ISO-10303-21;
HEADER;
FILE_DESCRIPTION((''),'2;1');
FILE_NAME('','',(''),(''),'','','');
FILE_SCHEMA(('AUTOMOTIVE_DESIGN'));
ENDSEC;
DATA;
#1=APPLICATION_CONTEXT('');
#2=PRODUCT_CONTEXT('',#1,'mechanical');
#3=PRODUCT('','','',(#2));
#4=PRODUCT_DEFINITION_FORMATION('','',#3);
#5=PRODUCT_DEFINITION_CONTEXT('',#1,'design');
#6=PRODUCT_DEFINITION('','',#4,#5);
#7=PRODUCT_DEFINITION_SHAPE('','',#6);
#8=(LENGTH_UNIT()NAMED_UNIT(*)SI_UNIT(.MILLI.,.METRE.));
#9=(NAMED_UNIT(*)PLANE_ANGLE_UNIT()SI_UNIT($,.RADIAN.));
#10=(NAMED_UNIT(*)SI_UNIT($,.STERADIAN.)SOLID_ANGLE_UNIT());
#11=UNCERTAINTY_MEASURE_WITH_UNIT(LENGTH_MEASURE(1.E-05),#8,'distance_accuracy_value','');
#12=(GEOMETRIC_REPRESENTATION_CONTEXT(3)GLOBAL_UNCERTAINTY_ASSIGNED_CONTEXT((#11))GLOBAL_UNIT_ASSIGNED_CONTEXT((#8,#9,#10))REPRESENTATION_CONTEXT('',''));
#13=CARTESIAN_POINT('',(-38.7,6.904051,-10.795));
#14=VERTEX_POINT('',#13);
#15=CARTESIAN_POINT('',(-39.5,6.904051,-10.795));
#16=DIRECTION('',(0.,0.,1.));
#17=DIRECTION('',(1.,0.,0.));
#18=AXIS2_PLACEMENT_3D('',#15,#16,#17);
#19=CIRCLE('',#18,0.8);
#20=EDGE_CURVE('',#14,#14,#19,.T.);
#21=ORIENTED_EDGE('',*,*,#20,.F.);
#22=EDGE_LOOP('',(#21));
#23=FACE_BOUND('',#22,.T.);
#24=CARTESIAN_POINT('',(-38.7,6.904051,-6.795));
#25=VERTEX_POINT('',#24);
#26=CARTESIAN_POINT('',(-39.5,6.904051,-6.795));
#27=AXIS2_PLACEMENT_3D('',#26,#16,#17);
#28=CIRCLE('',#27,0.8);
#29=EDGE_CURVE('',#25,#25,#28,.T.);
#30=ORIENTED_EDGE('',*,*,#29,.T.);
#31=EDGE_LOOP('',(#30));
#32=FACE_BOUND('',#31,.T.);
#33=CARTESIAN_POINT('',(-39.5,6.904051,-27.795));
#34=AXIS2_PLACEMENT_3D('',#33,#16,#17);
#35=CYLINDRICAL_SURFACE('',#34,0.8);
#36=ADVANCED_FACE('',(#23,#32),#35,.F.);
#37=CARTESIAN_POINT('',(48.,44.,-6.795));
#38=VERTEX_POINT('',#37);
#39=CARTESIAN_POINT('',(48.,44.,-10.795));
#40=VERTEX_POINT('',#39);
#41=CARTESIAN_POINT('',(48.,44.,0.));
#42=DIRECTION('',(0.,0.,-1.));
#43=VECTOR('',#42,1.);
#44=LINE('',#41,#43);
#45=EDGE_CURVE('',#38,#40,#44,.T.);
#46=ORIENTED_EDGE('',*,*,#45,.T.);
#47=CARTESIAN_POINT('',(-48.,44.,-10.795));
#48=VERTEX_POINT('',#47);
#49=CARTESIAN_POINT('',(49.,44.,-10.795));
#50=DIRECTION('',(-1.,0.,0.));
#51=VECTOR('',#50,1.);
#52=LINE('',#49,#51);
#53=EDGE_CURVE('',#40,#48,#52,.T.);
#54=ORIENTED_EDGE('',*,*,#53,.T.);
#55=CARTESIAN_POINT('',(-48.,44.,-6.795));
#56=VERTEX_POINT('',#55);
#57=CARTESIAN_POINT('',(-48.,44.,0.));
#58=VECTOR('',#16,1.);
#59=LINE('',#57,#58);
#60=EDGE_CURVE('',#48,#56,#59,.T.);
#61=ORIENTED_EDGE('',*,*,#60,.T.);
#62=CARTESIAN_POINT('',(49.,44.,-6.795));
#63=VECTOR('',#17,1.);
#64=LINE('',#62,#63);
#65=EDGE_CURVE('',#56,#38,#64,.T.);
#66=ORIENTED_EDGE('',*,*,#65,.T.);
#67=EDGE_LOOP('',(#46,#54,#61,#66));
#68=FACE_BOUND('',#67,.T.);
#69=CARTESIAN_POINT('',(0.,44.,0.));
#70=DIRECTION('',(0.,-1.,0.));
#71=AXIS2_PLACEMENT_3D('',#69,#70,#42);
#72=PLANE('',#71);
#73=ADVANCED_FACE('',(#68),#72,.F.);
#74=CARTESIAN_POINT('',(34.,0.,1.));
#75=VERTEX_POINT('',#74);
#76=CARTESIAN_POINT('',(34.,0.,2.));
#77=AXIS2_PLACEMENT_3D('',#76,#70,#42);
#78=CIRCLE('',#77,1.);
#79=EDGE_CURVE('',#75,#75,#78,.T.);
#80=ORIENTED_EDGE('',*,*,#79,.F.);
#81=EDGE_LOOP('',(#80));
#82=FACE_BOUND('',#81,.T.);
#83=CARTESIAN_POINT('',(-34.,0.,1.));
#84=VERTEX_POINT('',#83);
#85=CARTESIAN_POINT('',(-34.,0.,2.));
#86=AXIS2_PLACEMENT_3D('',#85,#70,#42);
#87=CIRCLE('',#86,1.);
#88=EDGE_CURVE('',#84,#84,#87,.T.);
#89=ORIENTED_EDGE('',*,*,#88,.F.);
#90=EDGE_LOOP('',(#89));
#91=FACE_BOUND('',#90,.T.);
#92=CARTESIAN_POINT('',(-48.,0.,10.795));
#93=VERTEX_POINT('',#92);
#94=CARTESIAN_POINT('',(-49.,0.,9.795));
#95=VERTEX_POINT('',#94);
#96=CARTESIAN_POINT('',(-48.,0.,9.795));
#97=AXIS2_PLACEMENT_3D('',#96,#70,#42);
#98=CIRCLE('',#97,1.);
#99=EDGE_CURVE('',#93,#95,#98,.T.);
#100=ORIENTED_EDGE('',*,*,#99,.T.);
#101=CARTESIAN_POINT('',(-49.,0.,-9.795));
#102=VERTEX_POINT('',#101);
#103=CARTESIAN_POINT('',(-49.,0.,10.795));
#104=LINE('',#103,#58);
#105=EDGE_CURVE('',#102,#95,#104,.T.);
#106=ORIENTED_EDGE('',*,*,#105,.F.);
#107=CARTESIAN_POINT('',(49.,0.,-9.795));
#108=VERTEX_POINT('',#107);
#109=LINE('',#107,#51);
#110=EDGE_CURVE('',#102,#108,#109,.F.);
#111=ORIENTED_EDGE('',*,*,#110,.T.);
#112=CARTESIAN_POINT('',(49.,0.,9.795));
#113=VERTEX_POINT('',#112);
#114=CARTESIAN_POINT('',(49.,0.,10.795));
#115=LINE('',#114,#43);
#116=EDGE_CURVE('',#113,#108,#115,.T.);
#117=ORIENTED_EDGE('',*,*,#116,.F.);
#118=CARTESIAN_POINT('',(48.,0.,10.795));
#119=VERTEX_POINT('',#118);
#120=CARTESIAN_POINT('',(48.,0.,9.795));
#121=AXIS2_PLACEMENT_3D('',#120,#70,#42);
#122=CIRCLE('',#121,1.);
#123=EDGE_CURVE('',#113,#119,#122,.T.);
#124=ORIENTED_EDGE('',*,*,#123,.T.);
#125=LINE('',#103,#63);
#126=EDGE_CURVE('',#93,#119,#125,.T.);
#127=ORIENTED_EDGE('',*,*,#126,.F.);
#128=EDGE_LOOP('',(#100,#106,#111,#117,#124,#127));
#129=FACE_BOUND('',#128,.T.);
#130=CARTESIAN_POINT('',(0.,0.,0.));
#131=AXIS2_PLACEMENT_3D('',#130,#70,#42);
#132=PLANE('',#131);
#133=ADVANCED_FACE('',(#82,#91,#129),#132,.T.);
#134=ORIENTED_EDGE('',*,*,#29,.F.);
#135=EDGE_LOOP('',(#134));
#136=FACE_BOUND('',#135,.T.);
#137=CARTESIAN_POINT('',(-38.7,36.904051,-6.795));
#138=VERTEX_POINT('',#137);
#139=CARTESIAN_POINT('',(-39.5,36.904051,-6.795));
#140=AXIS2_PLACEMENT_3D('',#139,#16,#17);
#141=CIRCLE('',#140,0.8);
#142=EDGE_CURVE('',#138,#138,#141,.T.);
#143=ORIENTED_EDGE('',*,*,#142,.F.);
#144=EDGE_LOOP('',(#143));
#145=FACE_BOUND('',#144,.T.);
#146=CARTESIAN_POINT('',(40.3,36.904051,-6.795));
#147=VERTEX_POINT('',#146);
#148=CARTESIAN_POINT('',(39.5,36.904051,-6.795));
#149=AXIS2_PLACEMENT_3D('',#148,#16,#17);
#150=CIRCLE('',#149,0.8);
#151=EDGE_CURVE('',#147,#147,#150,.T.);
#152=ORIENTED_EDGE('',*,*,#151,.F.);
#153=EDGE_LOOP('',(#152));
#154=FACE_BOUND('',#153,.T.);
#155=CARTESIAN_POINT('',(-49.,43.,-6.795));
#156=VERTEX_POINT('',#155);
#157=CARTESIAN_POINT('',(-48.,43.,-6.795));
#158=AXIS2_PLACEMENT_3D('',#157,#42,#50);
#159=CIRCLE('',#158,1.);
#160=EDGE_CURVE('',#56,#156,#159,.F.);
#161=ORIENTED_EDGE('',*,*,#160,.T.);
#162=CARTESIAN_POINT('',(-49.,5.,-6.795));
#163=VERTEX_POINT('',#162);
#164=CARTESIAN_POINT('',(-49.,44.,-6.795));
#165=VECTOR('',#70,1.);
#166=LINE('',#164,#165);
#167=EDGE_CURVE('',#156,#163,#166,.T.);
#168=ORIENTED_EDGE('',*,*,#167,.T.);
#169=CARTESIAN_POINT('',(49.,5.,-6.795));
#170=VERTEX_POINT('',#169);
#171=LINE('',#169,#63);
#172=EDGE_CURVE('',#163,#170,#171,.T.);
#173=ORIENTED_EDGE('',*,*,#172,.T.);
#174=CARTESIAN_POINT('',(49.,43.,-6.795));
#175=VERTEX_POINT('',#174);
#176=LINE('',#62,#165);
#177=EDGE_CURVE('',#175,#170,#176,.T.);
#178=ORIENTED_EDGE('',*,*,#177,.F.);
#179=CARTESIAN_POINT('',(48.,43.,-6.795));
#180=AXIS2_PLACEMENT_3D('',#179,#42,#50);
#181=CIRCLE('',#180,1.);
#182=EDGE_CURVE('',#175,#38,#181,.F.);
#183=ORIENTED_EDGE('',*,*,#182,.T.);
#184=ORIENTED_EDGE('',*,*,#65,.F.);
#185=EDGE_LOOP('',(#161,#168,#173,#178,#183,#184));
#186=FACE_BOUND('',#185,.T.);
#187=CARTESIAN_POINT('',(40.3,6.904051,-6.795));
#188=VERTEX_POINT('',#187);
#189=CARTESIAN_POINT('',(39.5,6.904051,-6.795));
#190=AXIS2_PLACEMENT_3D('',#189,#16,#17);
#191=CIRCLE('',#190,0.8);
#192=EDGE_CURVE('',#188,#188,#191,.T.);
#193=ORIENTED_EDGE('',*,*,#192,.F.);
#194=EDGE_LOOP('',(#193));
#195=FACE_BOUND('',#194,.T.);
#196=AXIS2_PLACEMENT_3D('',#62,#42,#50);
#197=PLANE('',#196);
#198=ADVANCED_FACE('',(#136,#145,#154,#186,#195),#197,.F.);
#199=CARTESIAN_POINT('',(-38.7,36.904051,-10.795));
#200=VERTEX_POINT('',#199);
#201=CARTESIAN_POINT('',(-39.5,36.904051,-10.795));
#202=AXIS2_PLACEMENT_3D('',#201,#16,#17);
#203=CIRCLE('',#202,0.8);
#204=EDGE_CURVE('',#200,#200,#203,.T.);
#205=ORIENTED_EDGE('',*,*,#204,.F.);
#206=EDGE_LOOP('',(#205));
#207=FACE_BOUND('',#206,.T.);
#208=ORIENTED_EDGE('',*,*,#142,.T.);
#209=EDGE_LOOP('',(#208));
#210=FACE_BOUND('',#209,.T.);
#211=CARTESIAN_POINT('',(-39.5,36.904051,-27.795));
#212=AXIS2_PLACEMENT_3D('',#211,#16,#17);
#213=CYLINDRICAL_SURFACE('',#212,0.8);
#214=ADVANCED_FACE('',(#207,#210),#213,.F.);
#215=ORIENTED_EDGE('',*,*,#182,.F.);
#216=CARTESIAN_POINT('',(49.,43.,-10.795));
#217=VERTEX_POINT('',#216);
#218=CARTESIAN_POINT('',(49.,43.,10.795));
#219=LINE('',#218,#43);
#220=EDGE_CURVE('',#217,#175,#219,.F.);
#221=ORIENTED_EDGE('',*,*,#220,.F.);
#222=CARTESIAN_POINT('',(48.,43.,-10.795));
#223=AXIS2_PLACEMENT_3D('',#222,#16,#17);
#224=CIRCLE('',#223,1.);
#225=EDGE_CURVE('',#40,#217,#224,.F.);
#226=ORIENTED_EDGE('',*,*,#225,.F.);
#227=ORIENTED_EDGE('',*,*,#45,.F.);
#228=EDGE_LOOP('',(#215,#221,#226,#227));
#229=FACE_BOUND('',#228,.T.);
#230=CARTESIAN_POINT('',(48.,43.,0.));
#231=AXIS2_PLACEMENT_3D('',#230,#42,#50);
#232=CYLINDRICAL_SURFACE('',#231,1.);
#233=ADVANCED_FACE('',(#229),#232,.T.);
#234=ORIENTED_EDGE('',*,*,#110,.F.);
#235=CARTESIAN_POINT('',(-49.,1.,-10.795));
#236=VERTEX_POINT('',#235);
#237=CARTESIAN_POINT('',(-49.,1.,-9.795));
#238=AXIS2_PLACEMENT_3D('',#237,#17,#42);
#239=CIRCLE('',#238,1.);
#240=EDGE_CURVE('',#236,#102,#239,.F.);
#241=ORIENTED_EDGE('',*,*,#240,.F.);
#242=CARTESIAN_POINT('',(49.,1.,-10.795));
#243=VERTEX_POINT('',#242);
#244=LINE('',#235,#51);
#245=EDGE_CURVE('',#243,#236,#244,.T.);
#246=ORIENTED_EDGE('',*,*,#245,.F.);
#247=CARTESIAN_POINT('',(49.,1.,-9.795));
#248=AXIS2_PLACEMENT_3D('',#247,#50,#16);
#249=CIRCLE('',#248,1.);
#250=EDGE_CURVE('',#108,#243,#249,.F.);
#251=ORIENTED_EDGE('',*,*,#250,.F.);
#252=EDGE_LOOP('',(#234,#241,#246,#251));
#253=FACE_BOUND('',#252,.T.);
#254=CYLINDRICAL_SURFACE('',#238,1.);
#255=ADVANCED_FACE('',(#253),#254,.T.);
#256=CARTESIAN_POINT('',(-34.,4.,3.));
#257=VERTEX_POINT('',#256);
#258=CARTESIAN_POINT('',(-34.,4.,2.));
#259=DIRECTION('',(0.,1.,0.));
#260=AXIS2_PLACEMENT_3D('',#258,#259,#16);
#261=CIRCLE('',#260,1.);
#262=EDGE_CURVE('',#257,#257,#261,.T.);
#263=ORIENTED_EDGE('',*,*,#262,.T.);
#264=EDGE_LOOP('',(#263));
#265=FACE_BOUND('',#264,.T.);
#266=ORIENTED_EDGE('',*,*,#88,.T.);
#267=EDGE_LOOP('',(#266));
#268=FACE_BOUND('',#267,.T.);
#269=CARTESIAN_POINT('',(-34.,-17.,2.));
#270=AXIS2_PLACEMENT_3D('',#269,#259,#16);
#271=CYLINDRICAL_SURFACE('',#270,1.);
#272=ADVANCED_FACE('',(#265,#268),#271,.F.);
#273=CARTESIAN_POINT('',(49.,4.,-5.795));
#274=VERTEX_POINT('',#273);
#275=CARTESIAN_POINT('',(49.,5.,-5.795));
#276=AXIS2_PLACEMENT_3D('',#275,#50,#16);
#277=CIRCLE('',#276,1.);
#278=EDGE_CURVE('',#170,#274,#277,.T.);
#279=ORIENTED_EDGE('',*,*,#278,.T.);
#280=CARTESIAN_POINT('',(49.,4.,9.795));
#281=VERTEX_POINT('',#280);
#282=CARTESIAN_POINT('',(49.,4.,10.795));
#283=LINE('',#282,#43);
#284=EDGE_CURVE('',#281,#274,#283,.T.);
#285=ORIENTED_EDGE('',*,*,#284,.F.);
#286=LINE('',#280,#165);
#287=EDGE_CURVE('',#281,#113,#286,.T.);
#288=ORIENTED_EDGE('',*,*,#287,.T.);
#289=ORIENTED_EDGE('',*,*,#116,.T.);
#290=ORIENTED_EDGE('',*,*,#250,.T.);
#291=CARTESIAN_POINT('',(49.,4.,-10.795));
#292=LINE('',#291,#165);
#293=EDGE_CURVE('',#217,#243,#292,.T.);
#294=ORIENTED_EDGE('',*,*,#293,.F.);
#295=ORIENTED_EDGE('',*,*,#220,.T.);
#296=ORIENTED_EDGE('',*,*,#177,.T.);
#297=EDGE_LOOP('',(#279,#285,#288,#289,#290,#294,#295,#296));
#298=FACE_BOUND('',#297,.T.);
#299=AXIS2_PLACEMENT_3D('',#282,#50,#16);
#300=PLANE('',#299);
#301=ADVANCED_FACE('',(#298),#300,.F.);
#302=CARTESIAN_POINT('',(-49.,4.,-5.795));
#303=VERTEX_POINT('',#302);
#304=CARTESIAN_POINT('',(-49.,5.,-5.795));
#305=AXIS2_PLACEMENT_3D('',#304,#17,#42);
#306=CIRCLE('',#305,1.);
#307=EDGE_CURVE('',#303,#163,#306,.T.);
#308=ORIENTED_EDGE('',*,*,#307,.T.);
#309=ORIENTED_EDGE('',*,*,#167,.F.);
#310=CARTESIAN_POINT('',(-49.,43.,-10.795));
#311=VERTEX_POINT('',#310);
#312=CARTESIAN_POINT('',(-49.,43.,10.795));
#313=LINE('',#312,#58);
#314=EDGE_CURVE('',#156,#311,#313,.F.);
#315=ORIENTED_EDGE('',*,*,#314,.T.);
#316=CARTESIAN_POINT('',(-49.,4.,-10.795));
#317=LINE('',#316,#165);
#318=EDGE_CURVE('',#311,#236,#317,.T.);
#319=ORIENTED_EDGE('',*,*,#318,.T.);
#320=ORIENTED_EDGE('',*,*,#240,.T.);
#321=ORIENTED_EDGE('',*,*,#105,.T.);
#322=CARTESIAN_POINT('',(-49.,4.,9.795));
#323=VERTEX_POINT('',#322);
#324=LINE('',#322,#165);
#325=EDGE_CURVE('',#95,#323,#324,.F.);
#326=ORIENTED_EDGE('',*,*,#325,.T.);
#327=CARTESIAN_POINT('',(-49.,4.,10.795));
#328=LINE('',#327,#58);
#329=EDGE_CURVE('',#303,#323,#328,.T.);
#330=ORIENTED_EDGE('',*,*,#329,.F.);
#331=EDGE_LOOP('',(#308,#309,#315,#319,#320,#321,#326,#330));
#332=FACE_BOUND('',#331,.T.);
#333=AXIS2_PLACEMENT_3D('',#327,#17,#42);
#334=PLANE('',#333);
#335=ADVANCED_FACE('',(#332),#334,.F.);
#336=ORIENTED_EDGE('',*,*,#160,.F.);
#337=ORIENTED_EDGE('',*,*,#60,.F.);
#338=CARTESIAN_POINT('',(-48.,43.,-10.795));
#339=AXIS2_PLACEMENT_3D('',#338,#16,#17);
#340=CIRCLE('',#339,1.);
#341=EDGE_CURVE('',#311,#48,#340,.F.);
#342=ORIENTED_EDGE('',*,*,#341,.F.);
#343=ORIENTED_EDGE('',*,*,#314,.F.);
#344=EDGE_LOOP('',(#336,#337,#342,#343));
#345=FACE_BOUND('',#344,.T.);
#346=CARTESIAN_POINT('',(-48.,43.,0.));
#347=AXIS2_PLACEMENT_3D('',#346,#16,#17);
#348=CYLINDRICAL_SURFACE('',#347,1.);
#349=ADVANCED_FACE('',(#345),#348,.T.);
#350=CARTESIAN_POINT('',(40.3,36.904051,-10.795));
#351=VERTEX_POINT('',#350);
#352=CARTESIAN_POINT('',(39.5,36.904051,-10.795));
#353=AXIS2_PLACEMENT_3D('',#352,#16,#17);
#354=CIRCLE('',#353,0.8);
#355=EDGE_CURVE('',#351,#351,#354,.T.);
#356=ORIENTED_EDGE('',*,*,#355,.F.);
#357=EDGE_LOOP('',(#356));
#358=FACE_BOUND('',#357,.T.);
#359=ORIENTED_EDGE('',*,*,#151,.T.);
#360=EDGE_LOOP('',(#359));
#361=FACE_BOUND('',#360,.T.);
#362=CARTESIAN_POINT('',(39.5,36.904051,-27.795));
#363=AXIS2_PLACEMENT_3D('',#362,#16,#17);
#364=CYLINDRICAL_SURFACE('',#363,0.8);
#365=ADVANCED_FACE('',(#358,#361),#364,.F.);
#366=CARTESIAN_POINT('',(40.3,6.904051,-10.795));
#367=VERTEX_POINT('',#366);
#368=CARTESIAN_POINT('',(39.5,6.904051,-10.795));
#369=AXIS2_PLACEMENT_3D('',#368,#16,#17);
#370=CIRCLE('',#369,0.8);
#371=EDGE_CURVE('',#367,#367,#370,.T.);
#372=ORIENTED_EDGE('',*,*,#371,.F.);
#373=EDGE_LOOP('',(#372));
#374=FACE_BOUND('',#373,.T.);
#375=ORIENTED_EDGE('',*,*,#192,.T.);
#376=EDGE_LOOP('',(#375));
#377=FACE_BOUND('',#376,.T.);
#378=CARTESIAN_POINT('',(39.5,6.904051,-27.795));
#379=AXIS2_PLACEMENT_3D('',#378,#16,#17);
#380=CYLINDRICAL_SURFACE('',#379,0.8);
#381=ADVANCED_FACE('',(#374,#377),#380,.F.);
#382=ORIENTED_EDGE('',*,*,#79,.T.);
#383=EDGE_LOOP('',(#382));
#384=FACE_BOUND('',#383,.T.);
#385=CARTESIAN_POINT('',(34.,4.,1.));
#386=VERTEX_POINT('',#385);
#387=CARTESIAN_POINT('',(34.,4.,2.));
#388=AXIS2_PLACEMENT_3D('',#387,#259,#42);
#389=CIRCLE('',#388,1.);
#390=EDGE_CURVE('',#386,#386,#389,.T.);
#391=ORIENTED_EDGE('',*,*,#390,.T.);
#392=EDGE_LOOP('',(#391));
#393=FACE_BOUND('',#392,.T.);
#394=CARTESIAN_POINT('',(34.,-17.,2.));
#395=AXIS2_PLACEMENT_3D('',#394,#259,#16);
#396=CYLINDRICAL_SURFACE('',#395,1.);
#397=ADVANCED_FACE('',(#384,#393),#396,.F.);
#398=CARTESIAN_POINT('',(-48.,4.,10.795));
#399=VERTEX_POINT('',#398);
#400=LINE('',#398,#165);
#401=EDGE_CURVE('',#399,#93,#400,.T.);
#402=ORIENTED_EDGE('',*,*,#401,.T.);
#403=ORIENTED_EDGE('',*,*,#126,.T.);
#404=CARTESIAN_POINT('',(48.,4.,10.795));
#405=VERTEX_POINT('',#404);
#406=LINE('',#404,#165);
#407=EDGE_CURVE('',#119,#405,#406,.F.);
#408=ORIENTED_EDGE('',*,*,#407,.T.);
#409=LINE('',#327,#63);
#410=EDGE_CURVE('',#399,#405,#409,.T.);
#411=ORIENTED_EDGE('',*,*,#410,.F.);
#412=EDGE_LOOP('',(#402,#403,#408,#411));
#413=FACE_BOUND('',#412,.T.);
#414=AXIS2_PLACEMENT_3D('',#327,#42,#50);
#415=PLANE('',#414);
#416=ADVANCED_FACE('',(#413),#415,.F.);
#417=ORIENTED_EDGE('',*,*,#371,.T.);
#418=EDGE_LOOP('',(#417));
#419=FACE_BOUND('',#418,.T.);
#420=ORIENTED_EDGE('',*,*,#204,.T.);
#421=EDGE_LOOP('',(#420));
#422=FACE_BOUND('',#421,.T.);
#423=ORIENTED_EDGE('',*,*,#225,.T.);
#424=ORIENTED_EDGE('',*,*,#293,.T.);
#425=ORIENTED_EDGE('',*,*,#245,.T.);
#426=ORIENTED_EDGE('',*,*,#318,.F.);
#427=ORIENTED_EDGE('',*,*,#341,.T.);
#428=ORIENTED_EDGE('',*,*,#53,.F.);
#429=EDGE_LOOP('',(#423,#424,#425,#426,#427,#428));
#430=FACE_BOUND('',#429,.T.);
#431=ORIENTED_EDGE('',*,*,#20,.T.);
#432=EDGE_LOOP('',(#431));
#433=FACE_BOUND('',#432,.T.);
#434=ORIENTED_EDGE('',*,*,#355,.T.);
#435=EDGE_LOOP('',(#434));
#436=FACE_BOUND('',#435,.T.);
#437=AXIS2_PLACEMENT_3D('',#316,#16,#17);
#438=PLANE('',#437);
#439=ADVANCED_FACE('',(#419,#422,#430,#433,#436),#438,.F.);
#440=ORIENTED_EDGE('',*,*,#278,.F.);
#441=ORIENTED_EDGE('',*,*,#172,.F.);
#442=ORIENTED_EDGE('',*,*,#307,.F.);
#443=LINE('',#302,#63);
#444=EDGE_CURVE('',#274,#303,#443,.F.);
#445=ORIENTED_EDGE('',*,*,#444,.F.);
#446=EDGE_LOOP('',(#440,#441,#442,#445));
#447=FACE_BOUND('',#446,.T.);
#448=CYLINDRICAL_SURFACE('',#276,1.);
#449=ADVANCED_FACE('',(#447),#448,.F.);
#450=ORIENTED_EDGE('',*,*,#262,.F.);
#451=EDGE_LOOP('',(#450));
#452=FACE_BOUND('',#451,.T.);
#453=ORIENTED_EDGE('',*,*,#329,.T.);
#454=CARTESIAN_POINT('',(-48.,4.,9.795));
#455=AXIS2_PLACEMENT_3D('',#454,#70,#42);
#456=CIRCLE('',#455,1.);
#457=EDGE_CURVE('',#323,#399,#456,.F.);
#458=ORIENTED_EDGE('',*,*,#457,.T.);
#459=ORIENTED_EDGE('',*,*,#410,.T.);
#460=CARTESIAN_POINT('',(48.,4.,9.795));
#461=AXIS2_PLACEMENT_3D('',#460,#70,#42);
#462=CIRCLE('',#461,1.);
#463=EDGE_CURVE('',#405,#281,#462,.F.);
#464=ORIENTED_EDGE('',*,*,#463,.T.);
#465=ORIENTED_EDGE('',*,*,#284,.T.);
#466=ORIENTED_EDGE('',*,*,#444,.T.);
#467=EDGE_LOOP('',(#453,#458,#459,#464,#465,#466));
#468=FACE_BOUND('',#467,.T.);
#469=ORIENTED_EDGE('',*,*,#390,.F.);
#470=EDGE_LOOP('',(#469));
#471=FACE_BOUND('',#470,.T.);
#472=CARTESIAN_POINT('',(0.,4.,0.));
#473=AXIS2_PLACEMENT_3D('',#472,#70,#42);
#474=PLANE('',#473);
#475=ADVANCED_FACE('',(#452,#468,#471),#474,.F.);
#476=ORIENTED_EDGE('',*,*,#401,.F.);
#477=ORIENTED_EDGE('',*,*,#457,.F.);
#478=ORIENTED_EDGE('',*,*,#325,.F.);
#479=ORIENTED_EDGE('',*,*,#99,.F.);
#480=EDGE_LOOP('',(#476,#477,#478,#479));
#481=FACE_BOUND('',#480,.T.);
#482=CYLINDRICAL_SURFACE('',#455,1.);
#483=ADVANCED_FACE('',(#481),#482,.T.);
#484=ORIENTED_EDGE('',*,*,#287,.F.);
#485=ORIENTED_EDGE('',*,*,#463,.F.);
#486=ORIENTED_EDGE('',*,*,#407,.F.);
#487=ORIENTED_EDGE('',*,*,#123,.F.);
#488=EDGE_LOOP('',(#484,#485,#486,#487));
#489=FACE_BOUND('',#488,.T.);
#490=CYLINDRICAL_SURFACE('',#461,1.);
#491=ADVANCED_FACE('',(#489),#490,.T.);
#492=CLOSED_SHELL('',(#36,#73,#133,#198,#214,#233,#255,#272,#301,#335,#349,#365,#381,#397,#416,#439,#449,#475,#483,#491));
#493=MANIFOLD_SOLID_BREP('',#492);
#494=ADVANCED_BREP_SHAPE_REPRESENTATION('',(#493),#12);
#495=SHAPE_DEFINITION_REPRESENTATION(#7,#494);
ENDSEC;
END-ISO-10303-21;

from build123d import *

# Parameters (mm, degrees)
SKETCH1_W           = 98
SKETCH1_H           = 21.59
BOSS_EXTRUDE1_DEPTH = 4
SKETCH2_W           = 98
SKETCH2_H           = 4
BOSS_EXTRUDE2_DEPTH = 40
SKETCH3_R           = 0.8
CUT_EXTRUDE1_DEPTH  = 21
FILLET1_R           = 1
SKETCH4_R           = 1
CUT_EXTRUDE2_DEPTH  = 21


with BuildPart() as part:
    # Sketch1 → Boss-Extrude1 (new body)
    with BuildSketch(Plane(origin=(0, 0, 0), x_dir=(1, 0, 0), z_dir=(0, 1, 0))):
        Rectangle(SKETCH1_W, SKETCH1_H)
    extrude(amount=BOSS_EXTRUDE1_DEPTH)

    # Sketch2 → Boss-Extrude2 (add)
    with BuildSketch(Plane(origin=(0, 4, 0), x_dir=(1, 0, 0), z_dir=(0, 1, 0))):
        with Locations((0, 8.795)):
            Rectangle(SKETCH2_W, SKETCH2_H)
    extrude(amount=BOSS_EXTRUDE2_DEPTH)

    # Sketch3 → Cut-Extrude1 (cut)
    with BuildSketch(Plane.XY.offset(-6.795)):
        with Locations((-39.5, 6.904051391)):
            Circle(SKETCH3_R)
        with Locations((-39.5, 36.904051391)):
            Circle(SKETCH3_R)
        with Locations((39.5, 36.904051391)):
            Circle(SKETCH3_R)
        with Locations((39.5, 6.904051391)):
            Circle(SKETCH3_R)
    extrude(amount=-CUT_EXTRUDE1_DEPTH, mode=Mode.SUBTRACT)

    # Fillet1
    fillet1_edges = [part.edges().sort_by_distance(p)[0] for p in [
        (0, 4, -6.795),
        (49, 44, -8.795),
        (-49, 44, -8.795),
        (0, 0, -10.795),
        (49, 2, 10.795),
        (-49, 2, 10.795),
    ]]
    fillet(fillet1_edges, radius=FILLET1_R)

    # Sketch4 → Cut-Extrude2 (cut)
    with BuildSketch(Plane(origin=(0, 4, 0), x_dir=(1, 0, 0), z_dir=(0, 1, 0))):
        with Locations((-34, -2)):
            Circle(SKETCH4_R)
        with Locations((34, -2)):
            Circle(SKETCH4_R)
    extrude(amount=-CUT_EXTRUDE2_DEPTH, mode=Mode.SUBTRACT)


solid = part.part
